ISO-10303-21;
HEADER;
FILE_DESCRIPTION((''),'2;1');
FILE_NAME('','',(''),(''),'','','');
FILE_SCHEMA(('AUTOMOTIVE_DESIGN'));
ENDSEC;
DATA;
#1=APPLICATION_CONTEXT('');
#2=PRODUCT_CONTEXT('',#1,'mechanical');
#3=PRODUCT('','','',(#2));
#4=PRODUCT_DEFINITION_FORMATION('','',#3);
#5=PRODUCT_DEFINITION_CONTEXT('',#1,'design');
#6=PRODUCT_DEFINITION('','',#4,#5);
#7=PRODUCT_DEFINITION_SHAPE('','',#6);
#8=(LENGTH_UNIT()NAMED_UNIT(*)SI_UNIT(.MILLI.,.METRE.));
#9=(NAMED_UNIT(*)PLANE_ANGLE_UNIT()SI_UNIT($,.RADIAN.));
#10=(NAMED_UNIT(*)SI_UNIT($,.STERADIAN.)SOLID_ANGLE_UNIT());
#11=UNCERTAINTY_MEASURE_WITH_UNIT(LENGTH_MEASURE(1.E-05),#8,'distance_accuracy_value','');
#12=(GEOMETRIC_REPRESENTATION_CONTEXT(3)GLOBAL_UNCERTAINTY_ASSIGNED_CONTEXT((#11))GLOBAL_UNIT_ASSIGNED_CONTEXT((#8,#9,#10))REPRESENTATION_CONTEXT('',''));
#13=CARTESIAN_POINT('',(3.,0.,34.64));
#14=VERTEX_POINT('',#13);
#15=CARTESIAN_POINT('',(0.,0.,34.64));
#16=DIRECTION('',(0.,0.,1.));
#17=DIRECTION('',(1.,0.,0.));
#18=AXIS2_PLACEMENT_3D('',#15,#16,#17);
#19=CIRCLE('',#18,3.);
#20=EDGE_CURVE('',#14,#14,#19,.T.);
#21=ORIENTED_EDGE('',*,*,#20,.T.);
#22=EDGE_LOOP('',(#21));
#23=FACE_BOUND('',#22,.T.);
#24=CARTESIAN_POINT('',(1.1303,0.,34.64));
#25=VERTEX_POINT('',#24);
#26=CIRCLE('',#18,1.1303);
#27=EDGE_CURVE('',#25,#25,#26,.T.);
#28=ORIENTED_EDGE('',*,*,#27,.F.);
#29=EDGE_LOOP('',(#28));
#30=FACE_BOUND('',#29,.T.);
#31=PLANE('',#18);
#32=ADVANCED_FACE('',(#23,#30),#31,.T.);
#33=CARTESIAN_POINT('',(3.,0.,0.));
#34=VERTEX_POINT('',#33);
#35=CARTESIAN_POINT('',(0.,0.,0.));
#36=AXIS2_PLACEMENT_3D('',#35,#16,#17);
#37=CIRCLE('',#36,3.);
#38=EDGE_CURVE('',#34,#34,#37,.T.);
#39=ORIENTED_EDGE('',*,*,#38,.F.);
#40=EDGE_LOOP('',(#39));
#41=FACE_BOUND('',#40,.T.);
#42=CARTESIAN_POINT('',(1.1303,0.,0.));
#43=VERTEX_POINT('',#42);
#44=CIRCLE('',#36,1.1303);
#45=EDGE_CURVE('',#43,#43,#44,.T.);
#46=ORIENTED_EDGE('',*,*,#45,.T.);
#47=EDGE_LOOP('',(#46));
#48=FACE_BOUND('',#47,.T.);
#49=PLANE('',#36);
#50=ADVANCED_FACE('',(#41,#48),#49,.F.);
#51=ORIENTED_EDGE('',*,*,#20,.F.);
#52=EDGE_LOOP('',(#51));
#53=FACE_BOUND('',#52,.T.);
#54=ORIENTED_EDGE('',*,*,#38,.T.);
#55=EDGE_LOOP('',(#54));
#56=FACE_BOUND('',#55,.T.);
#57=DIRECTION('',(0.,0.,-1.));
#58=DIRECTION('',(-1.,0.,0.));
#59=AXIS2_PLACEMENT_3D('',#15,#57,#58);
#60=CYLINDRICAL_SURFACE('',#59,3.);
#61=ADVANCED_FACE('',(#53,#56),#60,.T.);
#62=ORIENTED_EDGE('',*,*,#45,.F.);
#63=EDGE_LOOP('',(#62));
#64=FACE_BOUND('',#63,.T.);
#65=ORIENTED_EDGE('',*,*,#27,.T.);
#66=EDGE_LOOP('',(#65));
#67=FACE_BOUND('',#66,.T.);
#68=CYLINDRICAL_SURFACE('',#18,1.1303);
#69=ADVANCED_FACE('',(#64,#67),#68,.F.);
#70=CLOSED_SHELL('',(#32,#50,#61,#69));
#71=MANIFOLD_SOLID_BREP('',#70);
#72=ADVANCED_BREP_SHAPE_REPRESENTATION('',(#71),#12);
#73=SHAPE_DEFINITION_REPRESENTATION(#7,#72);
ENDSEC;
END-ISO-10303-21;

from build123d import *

# Parameters (mm, degrees)
SKETCH1_R             = 3
BOSS_EXTRUDE1_DEPTH   = 34.64
F_4_40_TAPPED_HOLE1_D = 2.2606


with BuildPart() as part:
    # Sketch1 → Boss-Extrude1 (new body)
    with BuildSketch(Plane.XY):
        Circle(SKETCH1_R)
    extrude(amount=BOSS_EXTRUDE1_DEPTH)

    # #4-40 Tapped Hole1 (through all)
    with Locations(Plane.XY.offset(34.64)):
        with Locations((0, 0)):
            Hole(F_4_40_TAPPED_HOLE1_D / 2)


solid = part.part
